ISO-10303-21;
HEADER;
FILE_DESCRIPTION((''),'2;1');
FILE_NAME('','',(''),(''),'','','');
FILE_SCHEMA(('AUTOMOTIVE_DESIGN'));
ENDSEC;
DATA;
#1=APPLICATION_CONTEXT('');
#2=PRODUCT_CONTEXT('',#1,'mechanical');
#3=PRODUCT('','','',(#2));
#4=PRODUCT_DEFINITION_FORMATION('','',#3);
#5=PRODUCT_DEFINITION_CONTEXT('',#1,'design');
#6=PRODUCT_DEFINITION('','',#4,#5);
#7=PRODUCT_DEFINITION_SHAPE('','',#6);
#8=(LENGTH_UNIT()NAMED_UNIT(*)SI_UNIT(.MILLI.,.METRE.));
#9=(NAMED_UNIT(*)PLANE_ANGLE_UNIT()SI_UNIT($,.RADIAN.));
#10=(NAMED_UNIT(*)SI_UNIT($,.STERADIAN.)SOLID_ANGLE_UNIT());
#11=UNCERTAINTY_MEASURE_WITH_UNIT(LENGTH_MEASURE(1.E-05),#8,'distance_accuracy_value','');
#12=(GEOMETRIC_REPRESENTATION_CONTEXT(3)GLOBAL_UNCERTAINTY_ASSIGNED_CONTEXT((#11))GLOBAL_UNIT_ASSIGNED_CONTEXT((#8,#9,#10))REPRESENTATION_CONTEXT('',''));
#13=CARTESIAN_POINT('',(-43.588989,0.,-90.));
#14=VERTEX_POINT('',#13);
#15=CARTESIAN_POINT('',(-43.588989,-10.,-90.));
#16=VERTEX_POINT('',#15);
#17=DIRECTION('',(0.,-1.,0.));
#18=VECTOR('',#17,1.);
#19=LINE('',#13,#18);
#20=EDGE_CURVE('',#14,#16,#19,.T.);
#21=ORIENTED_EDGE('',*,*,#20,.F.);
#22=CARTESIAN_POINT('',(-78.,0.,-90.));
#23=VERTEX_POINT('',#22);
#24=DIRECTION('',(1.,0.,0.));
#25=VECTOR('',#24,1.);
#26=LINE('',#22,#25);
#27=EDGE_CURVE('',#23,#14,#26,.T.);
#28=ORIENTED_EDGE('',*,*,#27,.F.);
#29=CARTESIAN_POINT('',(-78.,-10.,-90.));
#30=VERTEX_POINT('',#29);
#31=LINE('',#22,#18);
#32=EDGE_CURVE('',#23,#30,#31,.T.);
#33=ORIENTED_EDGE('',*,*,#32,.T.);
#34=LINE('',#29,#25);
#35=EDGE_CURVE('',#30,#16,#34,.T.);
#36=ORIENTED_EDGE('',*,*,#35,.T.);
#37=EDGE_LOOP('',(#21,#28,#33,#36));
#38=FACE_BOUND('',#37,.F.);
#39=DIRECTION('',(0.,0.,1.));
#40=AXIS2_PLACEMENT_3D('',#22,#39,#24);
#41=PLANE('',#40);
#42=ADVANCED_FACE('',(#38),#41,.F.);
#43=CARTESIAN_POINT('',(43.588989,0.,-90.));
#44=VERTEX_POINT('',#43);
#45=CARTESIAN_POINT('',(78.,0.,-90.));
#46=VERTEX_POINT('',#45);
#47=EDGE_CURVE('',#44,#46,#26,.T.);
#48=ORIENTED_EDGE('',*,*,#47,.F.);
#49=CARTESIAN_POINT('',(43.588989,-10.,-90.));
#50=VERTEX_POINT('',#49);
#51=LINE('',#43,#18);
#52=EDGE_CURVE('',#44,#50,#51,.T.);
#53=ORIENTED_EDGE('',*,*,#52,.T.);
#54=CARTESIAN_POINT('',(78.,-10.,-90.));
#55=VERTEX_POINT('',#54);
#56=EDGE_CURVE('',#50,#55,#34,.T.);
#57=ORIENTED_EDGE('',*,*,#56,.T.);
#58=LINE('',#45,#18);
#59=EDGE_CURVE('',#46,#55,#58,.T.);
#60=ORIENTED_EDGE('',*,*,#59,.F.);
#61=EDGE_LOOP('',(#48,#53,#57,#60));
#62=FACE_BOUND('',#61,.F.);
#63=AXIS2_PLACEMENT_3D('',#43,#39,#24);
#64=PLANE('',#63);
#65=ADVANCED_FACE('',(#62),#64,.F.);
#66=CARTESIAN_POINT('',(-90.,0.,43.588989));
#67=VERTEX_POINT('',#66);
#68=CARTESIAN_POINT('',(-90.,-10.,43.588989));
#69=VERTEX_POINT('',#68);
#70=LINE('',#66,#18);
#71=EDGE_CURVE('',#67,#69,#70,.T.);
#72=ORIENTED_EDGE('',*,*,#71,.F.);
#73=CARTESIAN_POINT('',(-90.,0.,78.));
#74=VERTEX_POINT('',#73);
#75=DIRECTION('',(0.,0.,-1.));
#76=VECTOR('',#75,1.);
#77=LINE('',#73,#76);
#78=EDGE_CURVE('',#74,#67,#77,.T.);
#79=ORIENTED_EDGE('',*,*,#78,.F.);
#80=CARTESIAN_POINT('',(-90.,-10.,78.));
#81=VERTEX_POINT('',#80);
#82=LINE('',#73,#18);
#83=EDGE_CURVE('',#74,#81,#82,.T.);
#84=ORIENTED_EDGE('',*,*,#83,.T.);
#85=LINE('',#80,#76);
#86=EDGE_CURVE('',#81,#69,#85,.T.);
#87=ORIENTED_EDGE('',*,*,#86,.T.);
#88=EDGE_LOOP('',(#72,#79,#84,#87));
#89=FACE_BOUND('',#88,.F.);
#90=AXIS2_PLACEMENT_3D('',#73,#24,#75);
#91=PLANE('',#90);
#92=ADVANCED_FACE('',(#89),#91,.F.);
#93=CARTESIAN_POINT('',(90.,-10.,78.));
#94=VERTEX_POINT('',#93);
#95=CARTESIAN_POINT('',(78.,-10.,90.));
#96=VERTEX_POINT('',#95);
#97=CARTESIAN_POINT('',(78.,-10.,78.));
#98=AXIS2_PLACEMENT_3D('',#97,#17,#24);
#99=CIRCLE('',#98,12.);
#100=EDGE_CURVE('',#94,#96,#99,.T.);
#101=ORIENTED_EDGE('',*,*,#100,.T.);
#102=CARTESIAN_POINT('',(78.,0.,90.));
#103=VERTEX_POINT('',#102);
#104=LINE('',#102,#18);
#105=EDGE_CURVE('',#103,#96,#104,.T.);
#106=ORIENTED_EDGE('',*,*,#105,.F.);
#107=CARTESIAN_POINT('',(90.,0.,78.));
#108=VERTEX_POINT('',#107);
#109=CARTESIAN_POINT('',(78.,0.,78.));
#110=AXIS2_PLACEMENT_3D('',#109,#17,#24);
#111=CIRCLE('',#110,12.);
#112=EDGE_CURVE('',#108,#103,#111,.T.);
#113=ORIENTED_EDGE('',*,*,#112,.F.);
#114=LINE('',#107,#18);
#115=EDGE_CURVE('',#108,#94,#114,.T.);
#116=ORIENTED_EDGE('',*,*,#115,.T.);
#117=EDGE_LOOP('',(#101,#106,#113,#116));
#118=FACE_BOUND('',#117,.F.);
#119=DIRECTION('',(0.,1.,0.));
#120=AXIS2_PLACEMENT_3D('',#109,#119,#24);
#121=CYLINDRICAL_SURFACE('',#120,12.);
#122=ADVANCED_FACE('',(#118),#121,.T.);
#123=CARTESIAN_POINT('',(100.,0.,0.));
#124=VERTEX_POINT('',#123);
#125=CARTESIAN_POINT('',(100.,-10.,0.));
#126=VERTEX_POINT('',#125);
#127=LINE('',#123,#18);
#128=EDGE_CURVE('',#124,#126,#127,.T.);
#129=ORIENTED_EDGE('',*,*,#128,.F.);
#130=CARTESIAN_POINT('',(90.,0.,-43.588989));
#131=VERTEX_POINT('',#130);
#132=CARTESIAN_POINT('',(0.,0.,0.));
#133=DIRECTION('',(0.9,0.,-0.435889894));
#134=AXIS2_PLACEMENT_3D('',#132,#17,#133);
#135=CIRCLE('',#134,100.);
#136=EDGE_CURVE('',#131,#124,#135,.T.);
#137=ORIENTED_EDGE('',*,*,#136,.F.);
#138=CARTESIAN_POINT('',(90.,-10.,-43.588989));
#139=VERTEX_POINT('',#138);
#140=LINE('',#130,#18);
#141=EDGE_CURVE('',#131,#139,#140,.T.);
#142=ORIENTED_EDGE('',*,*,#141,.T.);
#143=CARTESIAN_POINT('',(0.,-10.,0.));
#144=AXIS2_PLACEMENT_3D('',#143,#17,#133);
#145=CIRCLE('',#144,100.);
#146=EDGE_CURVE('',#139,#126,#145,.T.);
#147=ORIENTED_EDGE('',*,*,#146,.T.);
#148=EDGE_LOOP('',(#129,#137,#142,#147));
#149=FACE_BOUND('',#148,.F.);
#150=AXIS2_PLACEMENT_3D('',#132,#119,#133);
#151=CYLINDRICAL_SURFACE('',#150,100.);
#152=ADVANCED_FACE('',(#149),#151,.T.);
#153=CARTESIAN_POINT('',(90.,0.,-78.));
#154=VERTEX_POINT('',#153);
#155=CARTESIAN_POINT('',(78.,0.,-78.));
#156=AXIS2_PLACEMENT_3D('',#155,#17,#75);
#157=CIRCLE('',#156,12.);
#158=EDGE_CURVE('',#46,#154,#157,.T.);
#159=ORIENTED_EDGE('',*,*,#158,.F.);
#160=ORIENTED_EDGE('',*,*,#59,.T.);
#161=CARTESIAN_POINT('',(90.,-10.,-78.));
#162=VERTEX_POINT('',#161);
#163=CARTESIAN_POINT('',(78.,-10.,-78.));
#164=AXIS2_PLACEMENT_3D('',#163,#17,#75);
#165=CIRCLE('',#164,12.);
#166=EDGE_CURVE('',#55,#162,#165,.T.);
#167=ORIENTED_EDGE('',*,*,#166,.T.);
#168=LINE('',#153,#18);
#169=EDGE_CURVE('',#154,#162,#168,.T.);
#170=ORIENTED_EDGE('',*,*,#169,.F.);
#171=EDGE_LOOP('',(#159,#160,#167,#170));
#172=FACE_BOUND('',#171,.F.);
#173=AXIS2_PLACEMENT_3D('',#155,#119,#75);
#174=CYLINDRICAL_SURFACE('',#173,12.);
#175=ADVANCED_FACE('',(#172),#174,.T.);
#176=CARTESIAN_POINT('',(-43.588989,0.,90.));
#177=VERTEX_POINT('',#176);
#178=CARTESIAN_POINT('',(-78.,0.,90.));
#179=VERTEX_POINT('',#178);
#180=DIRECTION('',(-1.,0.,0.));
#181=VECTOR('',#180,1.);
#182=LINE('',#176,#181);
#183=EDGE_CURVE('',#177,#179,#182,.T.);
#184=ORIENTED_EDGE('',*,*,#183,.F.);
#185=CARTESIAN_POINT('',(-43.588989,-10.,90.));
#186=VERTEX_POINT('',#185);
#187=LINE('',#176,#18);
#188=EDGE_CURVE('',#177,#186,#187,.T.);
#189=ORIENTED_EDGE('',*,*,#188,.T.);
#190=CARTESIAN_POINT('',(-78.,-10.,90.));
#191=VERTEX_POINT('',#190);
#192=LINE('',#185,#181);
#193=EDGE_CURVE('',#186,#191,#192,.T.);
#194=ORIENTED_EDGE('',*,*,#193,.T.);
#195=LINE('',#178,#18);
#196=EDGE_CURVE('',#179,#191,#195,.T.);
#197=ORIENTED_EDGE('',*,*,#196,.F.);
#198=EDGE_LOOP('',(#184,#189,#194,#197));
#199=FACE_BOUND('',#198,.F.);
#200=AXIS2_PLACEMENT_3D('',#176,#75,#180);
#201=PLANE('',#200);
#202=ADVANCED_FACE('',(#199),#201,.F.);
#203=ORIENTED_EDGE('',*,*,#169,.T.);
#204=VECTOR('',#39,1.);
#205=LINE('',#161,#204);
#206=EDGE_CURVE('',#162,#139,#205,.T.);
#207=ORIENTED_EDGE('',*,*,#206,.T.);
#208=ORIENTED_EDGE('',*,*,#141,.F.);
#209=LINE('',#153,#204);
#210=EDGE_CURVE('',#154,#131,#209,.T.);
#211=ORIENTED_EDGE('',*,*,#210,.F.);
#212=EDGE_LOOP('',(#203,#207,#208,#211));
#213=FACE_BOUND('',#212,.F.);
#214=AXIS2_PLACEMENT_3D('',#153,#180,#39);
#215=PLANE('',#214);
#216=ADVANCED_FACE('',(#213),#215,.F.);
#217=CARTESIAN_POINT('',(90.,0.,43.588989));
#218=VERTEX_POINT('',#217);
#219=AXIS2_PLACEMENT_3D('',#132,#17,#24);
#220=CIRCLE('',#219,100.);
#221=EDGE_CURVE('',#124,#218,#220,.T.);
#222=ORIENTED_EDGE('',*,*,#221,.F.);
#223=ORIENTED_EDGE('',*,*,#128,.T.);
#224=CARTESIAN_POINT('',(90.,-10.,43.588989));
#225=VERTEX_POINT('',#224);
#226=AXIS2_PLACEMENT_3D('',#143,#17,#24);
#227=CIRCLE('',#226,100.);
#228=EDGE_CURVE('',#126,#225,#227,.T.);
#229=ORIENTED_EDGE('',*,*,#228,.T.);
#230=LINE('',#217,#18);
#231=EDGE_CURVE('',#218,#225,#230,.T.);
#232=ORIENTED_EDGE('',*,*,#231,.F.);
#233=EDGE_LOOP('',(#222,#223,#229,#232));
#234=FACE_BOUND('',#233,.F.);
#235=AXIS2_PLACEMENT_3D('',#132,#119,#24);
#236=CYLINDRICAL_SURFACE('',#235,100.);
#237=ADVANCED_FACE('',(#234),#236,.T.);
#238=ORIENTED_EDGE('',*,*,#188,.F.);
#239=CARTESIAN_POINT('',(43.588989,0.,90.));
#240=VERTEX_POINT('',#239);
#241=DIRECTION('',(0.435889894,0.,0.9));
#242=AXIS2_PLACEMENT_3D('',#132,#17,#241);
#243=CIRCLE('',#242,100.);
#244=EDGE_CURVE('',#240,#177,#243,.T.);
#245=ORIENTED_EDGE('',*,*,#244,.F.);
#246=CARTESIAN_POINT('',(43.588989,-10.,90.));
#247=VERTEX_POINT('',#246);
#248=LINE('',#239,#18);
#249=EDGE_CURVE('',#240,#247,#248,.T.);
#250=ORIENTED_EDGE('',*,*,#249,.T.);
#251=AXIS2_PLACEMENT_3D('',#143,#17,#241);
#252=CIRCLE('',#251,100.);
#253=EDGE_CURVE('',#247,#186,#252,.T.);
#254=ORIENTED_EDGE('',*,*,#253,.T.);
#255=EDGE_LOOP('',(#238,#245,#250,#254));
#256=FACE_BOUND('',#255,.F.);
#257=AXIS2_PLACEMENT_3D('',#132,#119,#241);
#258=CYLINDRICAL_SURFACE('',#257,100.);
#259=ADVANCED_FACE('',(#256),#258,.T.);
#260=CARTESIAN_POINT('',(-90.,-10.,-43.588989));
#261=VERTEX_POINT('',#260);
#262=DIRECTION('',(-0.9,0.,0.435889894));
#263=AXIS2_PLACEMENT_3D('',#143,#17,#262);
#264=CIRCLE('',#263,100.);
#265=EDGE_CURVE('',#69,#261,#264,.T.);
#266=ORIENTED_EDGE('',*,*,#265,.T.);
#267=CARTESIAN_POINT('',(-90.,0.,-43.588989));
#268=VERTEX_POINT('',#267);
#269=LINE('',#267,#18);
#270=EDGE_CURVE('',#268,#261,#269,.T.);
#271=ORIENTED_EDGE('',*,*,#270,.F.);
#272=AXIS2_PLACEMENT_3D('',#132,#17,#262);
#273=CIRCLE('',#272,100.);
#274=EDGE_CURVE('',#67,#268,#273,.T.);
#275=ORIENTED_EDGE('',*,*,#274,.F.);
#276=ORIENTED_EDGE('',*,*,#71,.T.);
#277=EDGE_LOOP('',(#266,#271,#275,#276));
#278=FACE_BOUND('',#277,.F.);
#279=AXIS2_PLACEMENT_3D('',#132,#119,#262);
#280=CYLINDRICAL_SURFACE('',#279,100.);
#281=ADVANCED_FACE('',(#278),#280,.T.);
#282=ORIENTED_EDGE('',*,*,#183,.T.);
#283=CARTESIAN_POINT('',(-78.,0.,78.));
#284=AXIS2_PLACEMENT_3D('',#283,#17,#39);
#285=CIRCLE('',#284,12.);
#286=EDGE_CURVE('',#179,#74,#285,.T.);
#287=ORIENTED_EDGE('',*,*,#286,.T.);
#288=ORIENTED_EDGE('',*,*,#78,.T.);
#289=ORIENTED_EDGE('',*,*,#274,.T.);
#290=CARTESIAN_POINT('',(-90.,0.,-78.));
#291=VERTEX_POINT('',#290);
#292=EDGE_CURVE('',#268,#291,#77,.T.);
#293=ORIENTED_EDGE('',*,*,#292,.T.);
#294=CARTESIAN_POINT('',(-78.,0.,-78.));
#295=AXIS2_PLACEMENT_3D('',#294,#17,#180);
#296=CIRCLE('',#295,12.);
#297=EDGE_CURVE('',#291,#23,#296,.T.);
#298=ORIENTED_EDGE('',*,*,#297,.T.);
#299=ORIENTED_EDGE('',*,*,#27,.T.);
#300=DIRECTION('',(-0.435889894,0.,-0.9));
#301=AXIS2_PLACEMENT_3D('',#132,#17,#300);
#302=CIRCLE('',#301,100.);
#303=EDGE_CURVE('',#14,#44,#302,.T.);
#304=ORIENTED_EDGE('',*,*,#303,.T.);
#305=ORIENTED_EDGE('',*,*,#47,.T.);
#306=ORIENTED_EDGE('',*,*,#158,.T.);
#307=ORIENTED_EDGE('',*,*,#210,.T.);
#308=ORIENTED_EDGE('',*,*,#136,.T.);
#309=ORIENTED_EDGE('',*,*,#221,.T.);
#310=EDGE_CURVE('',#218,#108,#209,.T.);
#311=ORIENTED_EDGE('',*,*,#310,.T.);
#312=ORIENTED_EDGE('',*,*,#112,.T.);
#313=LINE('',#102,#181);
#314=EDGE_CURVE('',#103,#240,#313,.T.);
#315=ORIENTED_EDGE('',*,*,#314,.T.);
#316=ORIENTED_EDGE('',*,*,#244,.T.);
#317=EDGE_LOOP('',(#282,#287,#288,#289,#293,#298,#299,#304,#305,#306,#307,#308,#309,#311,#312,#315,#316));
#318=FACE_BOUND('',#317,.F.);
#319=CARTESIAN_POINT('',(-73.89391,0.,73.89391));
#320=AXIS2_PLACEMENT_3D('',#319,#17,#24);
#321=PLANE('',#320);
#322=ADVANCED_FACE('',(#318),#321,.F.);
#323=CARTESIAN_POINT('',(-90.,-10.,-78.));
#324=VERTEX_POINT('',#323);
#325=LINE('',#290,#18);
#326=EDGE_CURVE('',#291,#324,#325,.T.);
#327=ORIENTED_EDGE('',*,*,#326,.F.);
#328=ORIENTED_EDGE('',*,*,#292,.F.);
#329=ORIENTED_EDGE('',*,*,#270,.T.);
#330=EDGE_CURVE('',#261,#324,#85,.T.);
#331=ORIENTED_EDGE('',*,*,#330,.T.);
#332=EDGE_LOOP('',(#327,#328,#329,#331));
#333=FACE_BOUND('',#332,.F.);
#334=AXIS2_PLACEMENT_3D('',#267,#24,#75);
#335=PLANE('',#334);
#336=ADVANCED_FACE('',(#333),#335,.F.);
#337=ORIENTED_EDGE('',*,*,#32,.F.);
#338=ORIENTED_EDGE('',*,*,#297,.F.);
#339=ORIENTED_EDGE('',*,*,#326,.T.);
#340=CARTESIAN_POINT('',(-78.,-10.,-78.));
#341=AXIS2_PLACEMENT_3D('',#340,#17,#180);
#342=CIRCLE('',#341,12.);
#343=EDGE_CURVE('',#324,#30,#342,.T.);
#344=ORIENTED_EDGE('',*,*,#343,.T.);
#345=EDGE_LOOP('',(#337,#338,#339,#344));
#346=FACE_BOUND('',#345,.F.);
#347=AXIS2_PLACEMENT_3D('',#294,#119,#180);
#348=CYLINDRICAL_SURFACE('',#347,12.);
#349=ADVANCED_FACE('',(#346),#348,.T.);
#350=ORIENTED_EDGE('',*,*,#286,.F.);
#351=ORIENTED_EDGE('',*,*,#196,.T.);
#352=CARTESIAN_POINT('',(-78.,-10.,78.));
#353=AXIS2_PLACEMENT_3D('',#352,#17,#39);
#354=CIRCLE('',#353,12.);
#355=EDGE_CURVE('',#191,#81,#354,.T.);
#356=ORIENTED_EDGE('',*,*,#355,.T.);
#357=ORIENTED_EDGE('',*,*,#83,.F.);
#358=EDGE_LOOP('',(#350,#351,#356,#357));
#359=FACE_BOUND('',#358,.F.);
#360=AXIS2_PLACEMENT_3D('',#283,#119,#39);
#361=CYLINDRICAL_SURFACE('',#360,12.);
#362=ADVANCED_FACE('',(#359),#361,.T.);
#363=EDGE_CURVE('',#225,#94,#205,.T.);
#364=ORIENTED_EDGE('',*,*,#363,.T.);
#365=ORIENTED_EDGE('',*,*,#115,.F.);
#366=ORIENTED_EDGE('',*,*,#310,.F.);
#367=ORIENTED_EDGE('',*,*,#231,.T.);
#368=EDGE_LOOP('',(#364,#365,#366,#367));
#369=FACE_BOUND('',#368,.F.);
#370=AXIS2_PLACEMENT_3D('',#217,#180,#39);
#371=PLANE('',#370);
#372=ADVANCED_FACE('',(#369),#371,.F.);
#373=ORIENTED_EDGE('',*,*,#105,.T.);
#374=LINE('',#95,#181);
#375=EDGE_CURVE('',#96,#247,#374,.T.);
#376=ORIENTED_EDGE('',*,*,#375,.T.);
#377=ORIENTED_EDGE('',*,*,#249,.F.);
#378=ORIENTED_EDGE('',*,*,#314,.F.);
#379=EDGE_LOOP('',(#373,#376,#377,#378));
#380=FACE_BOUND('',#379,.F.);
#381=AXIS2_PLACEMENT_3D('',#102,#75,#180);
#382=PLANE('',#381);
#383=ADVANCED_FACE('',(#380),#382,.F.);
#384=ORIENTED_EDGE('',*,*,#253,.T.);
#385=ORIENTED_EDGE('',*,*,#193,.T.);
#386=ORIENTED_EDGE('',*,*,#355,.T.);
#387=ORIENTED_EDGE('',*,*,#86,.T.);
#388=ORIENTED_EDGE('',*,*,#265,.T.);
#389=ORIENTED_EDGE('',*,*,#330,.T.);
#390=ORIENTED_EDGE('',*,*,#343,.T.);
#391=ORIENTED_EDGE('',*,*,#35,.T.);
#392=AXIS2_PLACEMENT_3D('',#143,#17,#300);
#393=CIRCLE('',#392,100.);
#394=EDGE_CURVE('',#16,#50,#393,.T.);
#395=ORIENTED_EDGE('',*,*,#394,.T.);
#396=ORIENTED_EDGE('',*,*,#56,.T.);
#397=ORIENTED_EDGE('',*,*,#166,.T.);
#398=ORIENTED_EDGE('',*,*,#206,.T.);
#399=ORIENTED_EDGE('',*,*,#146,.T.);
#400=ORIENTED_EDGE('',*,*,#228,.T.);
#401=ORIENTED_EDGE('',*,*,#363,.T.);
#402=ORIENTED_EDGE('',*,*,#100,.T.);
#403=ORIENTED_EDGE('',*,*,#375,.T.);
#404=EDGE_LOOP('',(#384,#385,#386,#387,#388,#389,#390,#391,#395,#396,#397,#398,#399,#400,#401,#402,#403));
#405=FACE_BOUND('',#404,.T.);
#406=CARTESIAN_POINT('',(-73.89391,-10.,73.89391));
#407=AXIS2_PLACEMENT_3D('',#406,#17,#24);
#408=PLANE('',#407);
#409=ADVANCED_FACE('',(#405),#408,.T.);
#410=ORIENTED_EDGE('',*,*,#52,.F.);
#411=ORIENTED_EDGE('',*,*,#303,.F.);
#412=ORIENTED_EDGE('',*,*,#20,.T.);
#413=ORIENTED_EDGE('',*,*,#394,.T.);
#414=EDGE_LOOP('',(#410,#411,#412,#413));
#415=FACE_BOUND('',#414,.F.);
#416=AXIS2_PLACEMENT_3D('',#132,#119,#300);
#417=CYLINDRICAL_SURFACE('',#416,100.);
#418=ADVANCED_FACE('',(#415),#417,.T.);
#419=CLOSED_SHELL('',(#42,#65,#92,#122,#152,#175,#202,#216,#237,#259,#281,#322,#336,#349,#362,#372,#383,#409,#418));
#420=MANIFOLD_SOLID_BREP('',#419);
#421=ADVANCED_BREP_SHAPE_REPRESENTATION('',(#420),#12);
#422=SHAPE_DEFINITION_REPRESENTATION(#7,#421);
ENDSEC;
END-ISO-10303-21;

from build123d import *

# Parameters (mm, degrees)
F1_DEPTH = 10


with BuildPart() as f1:
    # F0 (on Front) → F1 (new body)
    with BuildSketch(Plane.XZ):
        with BuildLine():
            ThreePointArc((-90, 43.5889894354), (-70.7106781187, 70.7106781187), (-43.5889894354, 90))
            Line((-43.5889894354, 90), (-78, 90))
            ThreePointArc((-78, 90), (-86.4852813742, 86.4852813742), (-90, 78))
            Line((-90, 78), (-90, 43.5889894354))
        make_face()
        with BuildLine():
            Line((-43.5889894354, 90), (43.5889894354, 90))
            ThreePointArc((43.5889894354, 90), (0, 100), (-43.5889894354, 90))
        make_face()
        with BuildLine():
            ThreePointArc((43.5889894354, 90), (70.7106781187, 70.7106781187), (90, 43.5889894354))
            Line((90, 43.5889894354), (90, 78))
            ThreePointArc((90, 78), (86.4852813742, 86.4852813742), (78, 90))
            Line((78, 90), (43.5889894354, 90))
        make_face()
        with BuildLine():
            Line((90, -78), (90, -43.5889894354))
            ThreePointArc((90, -43.5889894354), (70.7106781187, -70.7106781187), (43.5889894354, -90))
            Line((43.5889894354, -90), (78, -90))
            ThreePointArc((78, -90), (86.4852813742, -86.4852813742), (90, -78))
        make_face()
        with BuildLine():
            Line((-78, -90), (-43.5889894354, -90))
            ThreePointArc((-43.5889894354, -90), (-70.7106781187, -70.7106781187), (-90, -43.5889894354))
            Line((-90, -43.5889894354), (-90, -78))
            ThreePointArc((-90, -78), (-86.4852813742, -86.4852813742), (-78, -90))
        make_face()
        with BuildLine():
            Line((90, -43.5889894354), (90, 43.5889894354))
            ThreePointArc((90, 43.5889894354), (70.7106781187, 70.7106781187), (43.5889894354, 90))
            Line((43.5889894354, 90), (-43.5889894354, 90))
            ThreePointArc((-43.5889894354, 90), (-70.7106781187, 70.7106781187), (-90, 43.5889894354))
            Line((-90, 43.5889894354), (-90, -43.5889894354))
            ThreePointArc((-90, -43.5889894354), (-70.7106781187, -70.7106781187), (-43.5889894354, -90))
            Line((-43.5889894354, -90), (43.5889894354, -90))
            ThreePointArc((43.5889894354, -90), (70.7106781187, -70.7106781187), (90, -43.5889894354))
        make_face()
        with BuildLine():
            Line((-90, -43.5889894354), (-90, 43.5889894354))
            ThreePointArc((-90, 43.5889894354), (-100, 0), (-90, -43.5889894354))
        make_face()
        with BuildLine():
            ThreePointArc((-43.5889894354, -90), (0, -100), (43.5889894354, -90))
            Line((43.5889894354, -90), (-43.5889894354, -90))
        make_face()
        with BuildLine():
            ThreePointArc((90, -43.5889894354), (97.4679434481, -22.360679775), (100, 0))
            ThreePointArc((100, 0), (97.4679434481, 22.360679775), (90, 43.5889894354))
            Line((90, 43.5889894354), (90, -43.5889894354))
        make_face()
    extrude(amount=F1_DEPTH)


solid = f1.part
